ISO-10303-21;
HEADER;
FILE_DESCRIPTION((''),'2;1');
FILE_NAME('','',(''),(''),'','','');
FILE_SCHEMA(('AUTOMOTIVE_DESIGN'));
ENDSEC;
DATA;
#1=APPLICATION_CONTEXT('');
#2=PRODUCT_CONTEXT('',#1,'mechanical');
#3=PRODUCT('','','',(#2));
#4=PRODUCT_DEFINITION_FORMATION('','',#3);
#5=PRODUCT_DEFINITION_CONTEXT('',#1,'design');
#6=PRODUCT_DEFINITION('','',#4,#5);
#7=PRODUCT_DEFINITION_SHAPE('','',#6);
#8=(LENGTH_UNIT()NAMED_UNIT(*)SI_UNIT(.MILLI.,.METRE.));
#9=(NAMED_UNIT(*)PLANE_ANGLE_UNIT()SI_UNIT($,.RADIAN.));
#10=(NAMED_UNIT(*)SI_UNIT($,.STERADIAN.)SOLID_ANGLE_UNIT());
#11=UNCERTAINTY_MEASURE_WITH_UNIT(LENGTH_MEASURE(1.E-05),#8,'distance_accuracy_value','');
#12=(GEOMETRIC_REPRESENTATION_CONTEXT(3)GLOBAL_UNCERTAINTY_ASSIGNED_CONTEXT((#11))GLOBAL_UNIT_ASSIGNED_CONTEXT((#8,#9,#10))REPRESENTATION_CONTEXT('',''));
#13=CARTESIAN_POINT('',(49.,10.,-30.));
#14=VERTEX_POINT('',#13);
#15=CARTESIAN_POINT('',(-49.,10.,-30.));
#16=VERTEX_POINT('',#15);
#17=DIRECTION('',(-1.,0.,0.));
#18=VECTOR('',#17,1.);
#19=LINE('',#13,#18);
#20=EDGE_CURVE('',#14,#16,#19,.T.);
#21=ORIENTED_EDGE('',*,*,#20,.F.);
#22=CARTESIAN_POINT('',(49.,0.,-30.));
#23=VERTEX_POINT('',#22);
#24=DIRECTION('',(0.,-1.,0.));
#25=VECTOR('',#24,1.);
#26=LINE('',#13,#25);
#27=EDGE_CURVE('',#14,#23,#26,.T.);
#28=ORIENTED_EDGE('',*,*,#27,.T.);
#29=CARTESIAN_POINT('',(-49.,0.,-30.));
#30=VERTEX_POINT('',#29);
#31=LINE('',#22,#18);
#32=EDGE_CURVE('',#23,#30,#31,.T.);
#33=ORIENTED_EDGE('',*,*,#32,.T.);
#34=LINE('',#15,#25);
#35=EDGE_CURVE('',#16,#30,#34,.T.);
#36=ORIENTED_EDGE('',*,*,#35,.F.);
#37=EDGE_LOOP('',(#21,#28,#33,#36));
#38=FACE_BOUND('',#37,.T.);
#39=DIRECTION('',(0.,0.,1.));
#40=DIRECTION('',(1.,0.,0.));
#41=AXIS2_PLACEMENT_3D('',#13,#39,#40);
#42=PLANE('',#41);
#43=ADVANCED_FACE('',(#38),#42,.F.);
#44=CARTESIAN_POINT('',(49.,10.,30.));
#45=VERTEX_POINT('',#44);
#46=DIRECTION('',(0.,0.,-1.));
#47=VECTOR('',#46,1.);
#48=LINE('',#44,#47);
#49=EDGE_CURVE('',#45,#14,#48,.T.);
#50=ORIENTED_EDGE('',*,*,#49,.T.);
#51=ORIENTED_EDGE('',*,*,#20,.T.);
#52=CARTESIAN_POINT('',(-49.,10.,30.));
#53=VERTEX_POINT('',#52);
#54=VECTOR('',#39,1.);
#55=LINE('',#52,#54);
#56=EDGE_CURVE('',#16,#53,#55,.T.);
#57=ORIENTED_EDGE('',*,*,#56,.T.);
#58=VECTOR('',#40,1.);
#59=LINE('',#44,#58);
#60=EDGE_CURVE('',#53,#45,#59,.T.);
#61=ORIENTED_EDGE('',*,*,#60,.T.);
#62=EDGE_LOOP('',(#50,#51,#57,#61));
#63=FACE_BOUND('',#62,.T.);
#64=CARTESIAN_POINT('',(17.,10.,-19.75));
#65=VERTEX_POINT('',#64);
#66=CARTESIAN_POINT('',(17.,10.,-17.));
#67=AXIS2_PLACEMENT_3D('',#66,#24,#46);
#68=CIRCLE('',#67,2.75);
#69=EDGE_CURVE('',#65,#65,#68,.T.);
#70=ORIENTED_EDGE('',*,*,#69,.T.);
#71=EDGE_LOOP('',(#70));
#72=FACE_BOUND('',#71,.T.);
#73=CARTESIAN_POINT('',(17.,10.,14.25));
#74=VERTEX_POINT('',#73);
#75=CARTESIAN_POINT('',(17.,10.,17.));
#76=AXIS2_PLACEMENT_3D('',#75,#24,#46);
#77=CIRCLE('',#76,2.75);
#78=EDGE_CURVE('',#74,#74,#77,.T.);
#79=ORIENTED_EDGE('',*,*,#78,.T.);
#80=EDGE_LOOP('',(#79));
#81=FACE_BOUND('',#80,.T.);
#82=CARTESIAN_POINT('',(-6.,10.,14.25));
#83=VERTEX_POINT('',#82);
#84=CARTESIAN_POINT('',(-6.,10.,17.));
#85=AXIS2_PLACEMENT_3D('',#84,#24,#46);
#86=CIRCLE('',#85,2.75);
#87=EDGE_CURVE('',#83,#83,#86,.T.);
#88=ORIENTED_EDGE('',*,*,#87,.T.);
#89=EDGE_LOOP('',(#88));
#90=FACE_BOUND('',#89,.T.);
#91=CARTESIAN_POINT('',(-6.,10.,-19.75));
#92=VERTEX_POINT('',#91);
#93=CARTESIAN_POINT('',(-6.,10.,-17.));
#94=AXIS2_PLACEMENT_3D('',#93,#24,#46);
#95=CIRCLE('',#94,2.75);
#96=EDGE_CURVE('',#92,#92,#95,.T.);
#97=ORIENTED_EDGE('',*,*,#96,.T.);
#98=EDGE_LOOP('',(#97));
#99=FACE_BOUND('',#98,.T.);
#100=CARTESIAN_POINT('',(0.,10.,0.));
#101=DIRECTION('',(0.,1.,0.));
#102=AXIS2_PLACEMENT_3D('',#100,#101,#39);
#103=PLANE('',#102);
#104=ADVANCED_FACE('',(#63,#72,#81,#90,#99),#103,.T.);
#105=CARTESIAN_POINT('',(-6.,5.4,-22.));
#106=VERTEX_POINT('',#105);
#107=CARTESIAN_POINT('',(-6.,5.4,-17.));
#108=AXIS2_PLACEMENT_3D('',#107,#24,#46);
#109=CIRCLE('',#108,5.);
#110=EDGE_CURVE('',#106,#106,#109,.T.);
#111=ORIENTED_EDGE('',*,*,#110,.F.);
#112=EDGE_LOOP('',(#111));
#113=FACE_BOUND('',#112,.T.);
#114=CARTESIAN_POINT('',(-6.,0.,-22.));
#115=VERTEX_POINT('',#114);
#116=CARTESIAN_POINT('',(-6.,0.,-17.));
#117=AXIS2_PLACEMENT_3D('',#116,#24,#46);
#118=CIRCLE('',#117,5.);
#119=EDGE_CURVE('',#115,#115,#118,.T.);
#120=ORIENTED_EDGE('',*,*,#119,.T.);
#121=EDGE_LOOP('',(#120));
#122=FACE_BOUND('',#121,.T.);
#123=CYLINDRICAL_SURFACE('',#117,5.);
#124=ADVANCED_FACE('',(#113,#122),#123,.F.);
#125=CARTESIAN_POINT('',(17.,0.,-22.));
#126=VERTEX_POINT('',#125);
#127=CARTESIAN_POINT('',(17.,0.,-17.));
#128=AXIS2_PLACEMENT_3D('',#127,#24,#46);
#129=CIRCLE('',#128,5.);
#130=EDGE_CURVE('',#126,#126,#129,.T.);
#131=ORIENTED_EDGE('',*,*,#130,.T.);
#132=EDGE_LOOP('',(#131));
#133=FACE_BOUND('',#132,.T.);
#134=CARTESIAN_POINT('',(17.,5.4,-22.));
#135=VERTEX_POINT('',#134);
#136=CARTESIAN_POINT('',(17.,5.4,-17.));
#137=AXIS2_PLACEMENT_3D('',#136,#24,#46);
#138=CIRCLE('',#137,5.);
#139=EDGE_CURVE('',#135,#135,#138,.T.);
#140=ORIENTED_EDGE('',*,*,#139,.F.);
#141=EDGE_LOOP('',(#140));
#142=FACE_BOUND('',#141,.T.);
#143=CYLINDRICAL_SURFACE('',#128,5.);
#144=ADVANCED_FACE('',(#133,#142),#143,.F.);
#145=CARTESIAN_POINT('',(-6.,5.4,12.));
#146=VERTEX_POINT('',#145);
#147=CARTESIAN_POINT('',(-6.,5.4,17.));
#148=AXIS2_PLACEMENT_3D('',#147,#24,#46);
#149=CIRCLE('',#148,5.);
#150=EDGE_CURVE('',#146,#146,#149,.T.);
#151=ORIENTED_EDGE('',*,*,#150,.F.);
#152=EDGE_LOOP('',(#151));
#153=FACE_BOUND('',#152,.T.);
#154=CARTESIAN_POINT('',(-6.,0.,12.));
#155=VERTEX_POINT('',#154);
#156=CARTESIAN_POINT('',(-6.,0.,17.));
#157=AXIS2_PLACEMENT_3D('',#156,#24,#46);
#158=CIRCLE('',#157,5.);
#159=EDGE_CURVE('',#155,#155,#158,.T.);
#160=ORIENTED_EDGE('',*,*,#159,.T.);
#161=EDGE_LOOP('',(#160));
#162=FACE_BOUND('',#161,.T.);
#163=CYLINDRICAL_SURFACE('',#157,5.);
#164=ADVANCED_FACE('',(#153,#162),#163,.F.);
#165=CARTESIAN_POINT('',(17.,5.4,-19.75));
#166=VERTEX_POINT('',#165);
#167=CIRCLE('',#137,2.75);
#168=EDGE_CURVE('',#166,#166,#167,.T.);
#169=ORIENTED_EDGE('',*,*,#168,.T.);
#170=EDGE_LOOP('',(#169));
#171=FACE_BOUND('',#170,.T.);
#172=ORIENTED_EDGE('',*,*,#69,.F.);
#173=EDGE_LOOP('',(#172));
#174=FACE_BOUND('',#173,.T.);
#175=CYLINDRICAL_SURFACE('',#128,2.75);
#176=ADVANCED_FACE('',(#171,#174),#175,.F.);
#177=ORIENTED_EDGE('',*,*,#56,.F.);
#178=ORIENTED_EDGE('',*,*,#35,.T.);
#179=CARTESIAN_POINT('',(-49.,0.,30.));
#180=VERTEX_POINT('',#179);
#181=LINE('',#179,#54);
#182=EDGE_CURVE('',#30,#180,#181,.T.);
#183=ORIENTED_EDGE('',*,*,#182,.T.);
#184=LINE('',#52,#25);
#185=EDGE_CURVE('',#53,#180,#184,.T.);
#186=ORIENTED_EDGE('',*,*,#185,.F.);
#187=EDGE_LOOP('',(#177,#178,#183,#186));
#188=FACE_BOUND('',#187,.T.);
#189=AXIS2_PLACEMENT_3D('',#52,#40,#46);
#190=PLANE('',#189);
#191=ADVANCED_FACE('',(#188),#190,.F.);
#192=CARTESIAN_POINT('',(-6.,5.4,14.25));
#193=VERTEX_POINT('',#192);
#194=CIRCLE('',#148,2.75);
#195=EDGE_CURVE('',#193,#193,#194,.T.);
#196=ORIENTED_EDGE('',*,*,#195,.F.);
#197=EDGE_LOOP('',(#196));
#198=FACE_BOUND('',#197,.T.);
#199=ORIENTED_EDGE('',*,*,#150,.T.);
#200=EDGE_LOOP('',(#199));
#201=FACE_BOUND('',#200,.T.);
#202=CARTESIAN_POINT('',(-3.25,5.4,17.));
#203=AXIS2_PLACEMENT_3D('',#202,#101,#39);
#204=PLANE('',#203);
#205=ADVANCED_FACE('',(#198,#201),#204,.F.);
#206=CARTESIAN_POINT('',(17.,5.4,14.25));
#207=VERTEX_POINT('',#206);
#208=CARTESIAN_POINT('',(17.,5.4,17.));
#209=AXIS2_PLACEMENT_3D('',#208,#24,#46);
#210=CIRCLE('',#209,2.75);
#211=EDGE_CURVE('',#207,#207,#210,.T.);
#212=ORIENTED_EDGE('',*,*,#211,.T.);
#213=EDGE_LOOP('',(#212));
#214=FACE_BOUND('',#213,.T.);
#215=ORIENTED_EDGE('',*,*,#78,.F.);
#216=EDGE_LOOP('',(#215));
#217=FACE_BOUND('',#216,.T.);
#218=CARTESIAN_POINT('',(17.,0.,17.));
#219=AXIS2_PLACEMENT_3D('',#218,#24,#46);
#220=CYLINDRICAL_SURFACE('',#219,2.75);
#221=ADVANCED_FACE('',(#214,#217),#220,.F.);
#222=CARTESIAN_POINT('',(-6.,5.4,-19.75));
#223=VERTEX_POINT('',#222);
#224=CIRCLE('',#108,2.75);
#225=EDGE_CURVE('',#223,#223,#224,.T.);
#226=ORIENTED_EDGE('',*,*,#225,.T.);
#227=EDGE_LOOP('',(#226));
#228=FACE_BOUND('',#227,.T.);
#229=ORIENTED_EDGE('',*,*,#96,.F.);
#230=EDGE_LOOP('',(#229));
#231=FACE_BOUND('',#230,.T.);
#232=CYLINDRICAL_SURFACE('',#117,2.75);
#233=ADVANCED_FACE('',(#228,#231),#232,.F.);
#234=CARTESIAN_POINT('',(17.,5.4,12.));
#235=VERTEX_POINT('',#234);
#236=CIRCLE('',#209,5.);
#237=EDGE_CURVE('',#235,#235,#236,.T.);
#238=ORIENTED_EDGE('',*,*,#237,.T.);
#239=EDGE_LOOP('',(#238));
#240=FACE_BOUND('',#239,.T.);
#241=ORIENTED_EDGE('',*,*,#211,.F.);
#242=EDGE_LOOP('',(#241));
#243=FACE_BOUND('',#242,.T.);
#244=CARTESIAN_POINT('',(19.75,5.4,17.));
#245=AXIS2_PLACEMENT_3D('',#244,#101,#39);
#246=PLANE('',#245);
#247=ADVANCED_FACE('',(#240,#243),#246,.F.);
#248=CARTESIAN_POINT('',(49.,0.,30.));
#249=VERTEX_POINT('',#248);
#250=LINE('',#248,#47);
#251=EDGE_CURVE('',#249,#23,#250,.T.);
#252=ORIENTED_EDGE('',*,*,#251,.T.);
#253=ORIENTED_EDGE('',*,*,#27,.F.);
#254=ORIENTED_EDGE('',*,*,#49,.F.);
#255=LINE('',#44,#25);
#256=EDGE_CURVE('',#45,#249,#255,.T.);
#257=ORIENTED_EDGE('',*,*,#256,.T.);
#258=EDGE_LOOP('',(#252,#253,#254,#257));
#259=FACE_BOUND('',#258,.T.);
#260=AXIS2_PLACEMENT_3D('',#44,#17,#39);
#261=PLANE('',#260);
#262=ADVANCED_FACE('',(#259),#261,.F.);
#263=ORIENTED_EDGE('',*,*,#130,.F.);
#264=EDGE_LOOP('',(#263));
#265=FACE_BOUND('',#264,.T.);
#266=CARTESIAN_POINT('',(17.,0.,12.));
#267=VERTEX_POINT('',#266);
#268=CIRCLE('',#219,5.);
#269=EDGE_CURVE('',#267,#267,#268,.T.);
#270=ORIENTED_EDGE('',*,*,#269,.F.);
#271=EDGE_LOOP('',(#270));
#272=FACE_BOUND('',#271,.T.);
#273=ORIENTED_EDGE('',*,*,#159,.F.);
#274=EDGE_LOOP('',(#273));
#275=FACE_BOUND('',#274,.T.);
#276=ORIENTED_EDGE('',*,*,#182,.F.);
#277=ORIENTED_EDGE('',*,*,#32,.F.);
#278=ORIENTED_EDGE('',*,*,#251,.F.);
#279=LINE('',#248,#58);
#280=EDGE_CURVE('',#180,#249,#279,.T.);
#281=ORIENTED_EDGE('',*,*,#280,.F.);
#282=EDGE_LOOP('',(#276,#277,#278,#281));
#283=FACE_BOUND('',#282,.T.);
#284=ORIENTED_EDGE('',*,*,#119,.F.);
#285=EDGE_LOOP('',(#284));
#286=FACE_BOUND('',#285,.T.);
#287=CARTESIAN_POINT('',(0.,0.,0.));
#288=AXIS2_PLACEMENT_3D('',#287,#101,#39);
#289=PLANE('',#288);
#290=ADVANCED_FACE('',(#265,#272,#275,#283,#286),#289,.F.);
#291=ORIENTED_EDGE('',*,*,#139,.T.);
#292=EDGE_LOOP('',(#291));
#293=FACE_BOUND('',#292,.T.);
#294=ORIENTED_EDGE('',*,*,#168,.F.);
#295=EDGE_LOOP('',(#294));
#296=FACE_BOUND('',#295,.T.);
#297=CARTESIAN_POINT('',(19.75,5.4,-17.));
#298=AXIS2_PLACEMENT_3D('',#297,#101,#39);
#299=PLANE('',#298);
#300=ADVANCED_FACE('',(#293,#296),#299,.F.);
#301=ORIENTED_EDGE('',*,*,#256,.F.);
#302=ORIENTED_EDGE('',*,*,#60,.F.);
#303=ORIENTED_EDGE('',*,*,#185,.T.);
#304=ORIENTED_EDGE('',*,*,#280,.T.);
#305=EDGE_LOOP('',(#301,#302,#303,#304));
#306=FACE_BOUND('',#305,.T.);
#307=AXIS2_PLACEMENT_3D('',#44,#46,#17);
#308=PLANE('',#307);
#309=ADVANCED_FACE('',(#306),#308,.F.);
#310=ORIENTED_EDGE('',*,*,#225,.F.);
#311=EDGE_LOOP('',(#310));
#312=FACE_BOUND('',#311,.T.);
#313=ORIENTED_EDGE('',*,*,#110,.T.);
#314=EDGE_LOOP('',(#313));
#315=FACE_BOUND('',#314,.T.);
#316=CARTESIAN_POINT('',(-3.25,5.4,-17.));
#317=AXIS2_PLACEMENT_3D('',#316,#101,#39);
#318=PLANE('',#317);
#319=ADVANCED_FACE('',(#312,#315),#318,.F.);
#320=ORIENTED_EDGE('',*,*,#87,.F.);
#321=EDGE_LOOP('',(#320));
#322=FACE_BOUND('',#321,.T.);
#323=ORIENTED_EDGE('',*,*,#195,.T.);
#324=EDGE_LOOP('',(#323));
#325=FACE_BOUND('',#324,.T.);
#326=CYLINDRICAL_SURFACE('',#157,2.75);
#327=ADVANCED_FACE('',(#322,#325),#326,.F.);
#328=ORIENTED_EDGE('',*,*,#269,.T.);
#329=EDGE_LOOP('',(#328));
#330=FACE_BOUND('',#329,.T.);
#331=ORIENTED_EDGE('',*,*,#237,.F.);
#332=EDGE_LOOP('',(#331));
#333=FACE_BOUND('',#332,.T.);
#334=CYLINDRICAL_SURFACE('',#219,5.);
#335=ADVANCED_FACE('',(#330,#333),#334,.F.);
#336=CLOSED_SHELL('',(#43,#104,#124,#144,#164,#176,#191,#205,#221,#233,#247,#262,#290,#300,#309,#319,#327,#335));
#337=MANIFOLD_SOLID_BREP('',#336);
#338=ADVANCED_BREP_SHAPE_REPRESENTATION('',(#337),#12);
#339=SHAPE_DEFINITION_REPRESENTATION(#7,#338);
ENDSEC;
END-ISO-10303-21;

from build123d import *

# Parameters (mm, degrees)
SKETCH1_W                                           = 98
SKETCH1_H                                           = 60
BOSS_EXTRUDE1_DEPTH                                 = 10
CBORE_FOR_M5_HEX_SOCKET_HEAD_CAP_SCREW1_D           = 5.5
CBORE_FOR_M5_HEX_SOCKET_HEAD_CAP_SCREW1_CBORE_D     = 10
CBORE_FOR_M5_HEX_SOCKET_HEAD_CAP_SCREW1_CBORE_DEPTH = 5.4


with BuildPart() as part:
    # Sketch1 → Boss-Extrude1 (new body)
    with BuildSketch(Plane(origin=(0, 0, 0), x_dir=(1, 0, 0), z_dir=(0, 1, 0))):
        Rectangle(SKETCH1_W, SKETCH1_H)
    extrude(amount=BOSS_EXTRUDE1_DEPTH)

    # CBORE for M5 Hex Socket Head Cap Screw1 (through all)
    with Locations(Plane(origin=(0, 0, 0), x_dir=(-1, 0, 0), z_dir=(0, -1, 0))):
        with Locations((6, 17), (-17, 17), (-17, -17), (6, -17)):
            CounterBoreHole(CBORE_FOR_M5_HEX_SOCKET_HEAD_CAP_SCREW1_D / 2, CBORE_FOR_M5_HEX_SOCKET_HEAD_CAP_SCREW1_CBORE_D / 2, CBORE_FOR_M5_HEX_SOCKET_HEAD_CAP_SCREW1_CBORE_DEPTH)


solid = part.part
